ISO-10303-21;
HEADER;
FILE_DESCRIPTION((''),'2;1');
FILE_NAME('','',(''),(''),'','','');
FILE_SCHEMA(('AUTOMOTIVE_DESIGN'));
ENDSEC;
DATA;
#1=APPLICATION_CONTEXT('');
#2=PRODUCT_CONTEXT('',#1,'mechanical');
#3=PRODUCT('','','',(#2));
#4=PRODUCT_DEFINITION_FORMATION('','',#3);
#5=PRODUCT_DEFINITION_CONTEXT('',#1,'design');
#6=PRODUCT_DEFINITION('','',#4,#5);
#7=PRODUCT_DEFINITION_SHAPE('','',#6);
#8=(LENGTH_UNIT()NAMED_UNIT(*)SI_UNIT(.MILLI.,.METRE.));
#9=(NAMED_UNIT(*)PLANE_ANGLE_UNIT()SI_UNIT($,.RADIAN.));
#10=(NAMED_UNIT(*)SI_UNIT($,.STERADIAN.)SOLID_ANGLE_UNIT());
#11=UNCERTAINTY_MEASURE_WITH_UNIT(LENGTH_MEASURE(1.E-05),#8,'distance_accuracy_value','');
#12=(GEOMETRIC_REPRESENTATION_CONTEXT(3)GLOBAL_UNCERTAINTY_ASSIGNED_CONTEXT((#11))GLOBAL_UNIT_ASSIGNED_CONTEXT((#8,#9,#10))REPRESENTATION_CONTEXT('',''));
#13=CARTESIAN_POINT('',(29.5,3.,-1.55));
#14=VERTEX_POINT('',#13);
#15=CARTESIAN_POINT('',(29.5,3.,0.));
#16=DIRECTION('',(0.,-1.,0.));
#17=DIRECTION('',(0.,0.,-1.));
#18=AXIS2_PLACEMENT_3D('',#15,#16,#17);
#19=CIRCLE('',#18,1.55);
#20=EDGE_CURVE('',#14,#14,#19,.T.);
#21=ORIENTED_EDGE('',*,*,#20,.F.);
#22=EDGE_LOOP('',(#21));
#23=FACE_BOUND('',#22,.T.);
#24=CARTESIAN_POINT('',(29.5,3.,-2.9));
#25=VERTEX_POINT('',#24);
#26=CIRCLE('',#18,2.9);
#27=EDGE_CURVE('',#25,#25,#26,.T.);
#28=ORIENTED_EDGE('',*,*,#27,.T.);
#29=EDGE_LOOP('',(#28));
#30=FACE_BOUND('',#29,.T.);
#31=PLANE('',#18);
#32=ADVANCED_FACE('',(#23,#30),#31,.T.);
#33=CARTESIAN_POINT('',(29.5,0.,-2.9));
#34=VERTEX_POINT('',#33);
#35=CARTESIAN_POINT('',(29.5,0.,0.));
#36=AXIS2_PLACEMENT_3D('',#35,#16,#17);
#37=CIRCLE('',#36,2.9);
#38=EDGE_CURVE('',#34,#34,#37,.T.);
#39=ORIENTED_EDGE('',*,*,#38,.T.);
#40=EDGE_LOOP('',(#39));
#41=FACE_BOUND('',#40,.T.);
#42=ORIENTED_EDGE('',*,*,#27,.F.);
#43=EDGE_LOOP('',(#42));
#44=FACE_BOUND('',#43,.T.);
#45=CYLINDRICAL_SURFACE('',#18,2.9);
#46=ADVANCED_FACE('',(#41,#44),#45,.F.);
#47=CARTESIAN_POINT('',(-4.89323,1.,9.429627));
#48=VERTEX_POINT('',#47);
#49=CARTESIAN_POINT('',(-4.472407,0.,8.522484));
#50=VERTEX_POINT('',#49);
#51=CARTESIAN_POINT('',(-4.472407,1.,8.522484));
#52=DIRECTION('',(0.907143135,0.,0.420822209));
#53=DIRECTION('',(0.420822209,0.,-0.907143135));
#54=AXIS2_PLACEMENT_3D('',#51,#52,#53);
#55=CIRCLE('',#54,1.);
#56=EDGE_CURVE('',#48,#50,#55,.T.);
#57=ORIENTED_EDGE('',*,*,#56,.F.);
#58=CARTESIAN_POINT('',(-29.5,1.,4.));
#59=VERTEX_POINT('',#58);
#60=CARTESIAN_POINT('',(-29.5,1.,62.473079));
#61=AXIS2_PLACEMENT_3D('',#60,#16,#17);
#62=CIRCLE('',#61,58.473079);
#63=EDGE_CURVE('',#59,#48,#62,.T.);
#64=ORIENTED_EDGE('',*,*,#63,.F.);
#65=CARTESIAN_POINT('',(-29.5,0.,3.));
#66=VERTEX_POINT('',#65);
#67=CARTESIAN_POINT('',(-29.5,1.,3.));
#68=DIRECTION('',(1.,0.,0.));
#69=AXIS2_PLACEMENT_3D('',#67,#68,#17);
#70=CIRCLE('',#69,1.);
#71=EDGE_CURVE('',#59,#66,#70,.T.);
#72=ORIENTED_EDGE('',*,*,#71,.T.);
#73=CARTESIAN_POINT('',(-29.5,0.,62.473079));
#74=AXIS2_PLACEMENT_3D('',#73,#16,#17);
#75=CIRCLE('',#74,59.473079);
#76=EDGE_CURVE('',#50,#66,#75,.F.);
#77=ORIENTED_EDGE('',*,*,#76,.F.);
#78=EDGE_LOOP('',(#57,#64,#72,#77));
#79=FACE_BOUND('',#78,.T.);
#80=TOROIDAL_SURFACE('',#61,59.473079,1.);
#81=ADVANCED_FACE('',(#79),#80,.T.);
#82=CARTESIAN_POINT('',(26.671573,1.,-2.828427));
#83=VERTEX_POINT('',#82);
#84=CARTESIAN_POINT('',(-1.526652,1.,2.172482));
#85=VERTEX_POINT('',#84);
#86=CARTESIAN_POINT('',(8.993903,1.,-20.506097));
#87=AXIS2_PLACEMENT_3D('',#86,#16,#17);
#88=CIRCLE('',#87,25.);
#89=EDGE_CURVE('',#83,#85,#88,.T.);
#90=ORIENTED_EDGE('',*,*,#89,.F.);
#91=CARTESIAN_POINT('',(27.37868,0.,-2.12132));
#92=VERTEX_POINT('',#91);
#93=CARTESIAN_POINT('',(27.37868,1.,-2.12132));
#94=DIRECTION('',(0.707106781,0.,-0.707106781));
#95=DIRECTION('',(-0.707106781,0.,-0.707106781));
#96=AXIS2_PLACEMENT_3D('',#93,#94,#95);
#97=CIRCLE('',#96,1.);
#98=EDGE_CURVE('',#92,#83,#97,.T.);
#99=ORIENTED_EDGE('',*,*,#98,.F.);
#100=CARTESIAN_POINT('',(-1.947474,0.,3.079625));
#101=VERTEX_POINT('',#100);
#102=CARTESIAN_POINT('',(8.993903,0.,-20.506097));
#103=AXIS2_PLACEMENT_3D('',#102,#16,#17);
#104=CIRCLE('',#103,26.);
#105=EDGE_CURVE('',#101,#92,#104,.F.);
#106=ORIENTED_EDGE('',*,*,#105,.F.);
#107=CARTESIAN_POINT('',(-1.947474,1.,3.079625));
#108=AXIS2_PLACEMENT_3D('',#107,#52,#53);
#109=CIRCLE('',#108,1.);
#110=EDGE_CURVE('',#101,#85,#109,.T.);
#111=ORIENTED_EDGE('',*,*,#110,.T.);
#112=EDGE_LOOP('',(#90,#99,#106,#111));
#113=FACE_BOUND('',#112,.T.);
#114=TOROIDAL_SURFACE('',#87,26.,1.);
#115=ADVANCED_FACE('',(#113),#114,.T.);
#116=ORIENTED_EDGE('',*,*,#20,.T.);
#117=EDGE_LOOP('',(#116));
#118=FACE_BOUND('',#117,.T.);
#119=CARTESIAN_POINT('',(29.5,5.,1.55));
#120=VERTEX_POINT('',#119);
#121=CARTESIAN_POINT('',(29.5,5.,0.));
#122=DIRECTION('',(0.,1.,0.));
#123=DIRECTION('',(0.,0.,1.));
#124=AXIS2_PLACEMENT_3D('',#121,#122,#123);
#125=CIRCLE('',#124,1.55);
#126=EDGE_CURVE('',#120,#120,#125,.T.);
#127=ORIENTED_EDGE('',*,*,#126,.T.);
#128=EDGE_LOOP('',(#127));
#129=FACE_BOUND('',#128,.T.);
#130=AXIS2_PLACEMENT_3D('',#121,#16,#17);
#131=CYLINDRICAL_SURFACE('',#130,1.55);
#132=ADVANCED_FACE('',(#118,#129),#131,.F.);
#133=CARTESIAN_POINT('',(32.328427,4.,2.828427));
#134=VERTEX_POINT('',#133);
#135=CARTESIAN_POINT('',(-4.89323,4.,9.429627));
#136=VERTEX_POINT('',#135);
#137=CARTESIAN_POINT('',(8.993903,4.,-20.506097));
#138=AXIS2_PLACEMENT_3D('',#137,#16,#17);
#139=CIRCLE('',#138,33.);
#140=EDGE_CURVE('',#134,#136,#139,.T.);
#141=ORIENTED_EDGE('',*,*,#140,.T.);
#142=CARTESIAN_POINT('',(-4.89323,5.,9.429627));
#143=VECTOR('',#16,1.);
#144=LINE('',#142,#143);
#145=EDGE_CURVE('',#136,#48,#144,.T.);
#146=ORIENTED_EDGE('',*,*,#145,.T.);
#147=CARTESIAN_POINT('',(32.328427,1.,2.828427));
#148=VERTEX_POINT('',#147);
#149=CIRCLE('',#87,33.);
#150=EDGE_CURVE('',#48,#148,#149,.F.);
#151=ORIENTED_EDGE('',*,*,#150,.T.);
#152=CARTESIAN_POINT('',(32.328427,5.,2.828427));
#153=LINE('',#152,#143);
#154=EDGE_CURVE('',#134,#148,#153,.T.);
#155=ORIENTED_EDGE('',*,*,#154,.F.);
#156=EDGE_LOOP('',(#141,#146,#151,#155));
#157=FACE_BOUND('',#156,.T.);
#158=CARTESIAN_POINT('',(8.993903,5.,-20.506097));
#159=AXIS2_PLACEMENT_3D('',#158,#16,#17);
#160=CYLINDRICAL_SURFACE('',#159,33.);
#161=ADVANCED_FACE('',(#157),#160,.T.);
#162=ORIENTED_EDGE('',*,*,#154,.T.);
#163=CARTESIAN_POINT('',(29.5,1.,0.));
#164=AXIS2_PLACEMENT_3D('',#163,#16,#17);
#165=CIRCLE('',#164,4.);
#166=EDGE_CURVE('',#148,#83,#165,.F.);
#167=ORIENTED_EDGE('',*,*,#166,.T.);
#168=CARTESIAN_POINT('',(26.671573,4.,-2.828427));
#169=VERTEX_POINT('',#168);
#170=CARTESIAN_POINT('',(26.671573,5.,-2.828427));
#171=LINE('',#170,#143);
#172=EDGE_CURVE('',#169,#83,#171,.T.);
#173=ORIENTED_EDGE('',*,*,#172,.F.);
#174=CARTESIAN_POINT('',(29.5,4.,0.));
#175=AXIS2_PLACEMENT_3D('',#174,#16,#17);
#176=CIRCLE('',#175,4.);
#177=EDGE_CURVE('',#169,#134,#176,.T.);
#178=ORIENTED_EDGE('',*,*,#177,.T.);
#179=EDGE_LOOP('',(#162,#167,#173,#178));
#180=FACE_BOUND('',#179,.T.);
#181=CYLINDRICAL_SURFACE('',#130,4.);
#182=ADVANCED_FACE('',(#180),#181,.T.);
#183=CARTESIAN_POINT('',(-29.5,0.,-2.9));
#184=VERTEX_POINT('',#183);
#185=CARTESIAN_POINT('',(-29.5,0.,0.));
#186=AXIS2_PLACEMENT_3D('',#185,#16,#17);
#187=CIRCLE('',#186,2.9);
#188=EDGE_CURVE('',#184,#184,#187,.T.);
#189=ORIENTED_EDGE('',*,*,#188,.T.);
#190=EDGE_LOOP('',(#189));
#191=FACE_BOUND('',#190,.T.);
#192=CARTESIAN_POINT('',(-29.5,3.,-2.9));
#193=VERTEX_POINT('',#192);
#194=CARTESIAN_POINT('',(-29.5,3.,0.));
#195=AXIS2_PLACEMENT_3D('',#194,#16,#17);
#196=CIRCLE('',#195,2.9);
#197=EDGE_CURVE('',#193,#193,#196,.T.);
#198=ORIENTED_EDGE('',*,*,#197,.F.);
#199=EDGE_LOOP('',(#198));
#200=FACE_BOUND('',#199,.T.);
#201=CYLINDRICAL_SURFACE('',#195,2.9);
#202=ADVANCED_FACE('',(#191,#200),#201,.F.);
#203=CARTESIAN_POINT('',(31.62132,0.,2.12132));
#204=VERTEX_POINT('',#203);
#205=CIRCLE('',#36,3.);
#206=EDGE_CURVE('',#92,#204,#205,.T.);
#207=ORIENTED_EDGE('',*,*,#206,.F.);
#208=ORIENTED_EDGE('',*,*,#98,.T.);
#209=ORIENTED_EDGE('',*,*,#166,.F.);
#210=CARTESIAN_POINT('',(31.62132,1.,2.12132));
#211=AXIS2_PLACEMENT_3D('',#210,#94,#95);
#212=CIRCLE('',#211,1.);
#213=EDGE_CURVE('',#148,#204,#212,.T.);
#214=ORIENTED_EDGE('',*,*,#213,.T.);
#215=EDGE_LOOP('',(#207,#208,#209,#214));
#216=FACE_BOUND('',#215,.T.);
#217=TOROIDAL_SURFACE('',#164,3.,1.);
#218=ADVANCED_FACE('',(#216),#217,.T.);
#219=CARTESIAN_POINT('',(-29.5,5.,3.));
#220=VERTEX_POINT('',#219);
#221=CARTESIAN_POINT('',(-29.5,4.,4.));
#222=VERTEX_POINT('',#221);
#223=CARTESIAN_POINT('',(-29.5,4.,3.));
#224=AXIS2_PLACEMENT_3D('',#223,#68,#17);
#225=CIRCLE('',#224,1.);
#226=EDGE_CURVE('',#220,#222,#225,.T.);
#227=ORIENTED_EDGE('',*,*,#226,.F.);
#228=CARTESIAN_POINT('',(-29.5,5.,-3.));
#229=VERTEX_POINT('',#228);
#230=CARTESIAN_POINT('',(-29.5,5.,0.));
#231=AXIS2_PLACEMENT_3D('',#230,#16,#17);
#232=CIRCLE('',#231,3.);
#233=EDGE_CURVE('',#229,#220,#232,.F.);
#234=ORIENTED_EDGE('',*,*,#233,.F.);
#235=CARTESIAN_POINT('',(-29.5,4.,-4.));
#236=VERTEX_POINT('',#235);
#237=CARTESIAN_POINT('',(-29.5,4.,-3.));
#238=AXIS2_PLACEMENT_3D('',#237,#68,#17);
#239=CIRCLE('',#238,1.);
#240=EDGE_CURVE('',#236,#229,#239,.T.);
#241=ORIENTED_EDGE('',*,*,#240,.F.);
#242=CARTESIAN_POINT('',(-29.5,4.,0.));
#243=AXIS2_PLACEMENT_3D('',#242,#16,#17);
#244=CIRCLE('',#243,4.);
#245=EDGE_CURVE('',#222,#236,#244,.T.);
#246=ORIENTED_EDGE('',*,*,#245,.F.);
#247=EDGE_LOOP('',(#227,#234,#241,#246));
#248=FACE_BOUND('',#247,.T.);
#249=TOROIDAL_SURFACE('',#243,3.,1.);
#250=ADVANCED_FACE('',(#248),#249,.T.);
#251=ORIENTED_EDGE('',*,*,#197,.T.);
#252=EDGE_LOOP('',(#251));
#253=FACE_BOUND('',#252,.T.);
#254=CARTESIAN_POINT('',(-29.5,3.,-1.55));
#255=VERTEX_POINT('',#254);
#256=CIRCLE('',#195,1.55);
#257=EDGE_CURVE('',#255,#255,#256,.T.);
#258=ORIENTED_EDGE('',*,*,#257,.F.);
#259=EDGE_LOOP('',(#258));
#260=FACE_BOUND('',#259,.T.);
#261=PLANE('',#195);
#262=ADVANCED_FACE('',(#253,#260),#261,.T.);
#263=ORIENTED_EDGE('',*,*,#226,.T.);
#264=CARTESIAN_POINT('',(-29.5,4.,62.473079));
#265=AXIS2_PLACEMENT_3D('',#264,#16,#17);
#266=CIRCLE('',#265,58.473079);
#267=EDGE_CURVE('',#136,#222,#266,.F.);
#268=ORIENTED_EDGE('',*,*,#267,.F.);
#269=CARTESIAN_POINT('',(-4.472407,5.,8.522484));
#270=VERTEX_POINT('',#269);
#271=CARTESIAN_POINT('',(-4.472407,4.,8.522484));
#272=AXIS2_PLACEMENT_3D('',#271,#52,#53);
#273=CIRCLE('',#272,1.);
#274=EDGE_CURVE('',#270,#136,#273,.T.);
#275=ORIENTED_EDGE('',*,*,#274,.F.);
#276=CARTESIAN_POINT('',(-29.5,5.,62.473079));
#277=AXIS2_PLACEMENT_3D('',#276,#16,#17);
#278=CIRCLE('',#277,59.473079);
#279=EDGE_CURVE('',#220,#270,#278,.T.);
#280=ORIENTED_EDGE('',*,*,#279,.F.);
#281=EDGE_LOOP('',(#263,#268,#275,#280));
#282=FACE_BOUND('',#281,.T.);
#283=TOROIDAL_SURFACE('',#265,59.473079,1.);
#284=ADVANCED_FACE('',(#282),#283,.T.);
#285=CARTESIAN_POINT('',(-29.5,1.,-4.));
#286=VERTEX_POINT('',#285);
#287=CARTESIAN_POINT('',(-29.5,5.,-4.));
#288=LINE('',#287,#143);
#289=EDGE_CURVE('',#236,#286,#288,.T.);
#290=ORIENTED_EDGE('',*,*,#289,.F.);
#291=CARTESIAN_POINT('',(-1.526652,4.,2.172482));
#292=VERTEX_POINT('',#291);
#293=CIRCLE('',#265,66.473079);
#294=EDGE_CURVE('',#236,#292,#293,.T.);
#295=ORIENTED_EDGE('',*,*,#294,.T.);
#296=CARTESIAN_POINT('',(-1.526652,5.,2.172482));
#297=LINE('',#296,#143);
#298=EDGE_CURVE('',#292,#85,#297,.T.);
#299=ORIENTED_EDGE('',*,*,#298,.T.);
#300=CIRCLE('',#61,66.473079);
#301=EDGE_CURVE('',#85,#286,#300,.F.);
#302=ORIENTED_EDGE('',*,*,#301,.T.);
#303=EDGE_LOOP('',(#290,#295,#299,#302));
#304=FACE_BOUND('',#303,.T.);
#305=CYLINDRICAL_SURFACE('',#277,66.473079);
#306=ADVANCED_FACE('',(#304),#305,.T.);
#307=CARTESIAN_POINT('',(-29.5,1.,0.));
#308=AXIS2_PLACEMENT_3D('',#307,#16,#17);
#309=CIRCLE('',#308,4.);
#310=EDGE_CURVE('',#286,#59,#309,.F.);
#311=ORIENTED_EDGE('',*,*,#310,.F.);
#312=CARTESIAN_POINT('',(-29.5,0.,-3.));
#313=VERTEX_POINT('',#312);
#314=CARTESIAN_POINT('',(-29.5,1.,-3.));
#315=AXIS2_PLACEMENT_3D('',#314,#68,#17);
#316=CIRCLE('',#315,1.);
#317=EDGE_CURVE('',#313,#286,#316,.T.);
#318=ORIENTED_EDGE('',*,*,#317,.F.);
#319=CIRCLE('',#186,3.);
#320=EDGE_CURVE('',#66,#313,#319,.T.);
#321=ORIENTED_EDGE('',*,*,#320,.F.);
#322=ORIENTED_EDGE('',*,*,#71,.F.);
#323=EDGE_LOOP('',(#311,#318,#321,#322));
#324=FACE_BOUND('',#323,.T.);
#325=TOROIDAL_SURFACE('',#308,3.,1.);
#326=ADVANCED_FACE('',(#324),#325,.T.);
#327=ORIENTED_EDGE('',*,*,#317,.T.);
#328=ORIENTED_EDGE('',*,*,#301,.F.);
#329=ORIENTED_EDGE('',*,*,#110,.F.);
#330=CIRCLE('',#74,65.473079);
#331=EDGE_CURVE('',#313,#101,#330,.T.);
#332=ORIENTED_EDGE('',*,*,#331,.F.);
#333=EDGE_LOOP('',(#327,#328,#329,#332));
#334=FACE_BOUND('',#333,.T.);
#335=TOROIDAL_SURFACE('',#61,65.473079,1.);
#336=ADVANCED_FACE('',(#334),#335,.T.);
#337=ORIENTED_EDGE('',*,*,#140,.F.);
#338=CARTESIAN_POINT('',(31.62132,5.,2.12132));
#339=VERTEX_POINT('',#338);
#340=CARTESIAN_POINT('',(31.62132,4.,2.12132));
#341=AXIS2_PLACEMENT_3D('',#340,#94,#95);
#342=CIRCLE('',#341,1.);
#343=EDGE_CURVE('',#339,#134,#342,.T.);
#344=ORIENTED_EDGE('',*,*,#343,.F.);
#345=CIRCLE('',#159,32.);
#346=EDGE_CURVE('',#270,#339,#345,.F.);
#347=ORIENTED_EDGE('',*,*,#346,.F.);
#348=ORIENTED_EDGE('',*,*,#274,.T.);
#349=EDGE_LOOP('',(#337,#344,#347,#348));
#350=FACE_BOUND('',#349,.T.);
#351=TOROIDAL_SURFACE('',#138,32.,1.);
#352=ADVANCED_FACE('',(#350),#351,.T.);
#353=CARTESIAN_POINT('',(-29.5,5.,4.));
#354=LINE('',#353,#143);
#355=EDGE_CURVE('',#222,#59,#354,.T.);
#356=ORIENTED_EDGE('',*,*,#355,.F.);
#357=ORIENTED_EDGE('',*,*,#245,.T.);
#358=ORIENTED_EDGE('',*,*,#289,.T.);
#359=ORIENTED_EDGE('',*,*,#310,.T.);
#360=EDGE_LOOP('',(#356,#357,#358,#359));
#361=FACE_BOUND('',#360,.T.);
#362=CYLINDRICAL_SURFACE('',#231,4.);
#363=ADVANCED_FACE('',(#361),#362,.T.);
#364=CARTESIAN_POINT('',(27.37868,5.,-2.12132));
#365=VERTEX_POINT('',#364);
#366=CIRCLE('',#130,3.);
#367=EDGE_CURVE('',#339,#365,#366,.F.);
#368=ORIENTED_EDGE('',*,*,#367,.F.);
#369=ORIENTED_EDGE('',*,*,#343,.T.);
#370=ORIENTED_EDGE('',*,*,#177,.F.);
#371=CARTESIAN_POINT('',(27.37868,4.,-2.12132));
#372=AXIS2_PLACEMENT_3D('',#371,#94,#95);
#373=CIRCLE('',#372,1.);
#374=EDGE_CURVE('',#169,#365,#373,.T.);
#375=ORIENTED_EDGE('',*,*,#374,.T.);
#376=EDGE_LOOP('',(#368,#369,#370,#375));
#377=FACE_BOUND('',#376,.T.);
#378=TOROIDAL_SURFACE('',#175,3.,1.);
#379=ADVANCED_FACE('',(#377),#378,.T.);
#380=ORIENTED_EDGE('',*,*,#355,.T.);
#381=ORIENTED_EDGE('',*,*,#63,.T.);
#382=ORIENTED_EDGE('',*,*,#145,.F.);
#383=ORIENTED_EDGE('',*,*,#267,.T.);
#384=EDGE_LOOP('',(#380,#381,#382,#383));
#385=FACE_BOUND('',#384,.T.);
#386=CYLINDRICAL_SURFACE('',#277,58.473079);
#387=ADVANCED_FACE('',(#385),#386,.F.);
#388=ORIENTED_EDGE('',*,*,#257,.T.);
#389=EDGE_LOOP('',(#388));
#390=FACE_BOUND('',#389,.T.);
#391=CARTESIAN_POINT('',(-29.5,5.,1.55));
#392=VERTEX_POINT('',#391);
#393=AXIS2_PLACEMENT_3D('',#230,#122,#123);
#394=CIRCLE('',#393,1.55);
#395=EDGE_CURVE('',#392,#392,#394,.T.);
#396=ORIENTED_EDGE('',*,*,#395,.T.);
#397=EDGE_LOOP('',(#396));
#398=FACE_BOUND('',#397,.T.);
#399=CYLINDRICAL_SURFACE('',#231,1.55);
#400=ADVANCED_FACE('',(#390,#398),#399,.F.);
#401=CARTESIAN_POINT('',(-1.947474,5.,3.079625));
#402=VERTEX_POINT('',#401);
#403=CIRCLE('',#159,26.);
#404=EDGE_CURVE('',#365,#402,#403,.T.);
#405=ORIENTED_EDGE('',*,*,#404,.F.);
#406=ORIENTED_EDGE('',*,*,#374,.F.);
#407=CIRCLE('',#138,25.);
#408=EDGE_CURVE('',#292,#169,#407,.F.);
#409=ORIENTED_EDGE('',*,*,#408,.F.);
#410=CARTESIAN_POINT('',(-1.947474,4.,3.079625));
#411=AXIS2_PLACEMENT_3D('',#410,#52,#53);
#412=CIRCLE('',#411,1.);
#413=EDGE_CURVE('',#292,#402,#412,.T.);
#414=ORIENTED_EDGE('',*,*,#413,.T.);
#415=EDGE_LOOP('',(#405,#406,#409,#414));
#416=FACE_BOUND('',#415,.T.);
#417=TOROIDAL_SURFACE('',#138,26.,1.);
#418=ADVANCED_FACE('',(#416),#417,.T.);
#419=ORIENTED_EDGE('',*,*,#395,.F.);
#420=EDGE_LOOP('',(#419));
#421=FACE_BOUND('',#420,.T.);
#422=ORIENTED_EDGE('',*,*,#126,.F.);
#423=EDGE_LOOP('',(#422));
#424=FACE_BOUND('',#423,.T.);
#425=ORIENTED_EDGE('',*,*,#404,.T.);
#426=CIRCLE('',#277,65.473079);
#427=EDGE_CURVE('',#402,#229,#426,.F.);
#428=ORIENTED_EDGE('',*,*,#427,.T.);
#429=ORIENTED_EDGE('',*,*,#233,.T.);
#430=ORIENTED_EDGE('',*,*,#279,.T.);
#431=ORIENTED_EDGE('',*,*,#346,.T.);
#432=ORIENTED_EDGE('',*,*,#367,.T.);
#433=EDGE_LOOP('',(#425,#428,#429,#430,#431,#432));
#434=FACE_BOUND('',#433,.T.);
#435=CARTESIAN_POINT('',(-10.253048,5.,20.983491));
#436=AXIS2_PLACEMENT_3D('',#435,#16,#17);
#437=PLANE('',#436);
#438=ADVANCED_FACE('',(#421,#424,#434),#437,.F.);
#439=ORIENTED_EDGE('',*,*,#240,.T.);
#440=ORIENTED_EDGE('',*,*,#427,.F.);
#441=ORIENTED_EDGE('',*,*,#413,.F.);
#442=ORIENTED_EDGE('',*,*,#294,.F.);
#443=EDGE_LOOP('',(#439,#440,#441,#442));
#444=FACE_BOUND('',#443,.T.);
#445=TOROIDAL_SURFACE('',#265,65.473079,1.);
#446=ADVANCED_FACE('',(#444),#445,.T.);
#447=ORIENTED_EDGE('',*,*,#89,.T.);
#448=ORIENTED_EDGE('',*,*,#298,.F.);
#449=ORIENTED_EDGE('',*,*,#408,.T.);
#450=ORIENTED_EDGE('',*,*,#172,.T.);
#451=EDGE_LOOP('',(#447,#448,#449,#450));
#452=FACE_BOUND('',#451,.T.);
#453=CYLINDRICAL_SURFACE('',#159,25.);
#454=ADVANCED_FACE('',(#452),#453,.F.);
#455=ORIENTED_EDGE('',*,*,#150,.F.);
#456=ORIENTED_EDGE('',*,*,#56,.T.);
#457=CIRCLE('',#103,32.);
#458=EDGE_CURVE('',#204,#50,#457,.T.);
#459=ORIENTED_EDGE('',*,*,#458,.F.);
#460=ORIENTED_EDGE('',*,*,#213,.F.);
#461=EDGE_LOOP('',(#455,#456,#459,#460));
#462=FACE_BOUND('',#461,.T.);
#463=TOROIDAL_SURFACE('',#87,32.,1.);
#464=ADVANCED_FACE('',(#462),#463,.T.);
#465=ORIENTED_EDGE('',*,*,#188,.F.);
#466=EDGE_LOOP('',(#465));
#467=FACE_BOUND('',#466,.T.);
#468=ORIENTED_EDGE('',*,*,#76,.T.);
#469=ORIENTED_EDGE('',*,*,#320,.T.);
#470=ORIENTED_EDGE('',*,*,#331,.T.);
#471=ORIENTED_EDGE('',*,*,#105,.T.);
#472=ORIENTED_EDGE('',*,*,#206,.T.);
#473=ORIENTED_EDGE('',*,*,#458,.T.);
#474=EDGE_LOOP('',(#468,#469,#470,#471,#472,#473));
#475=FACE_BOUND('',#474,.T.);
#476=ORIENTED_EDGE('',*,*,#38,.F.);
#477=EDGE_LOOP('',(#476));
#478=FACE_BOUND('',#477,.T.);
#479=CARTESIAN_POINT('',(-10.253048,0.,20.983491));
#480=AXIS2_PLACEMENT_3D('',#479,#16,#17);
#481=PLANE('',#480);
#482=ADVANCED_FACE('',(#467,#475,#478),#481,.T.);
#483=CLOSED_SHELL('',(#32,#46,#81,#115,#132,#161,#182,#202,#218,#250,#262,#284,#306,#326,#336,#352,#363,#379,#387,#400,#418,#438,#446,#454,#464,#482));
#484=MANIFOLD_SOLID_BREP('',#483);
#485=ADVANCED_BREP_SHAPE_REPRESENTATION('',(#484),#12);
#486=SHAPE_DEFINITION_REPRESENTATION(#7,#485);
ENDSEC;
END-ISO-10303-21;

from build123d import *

# Parameters (mm, degrees)
SKETCH1_R           = 1.55
BOSS_EXTRUDE1_DEPTH = 5
FILLET1_R           = 1
SKETCH2_R           = 2.9
CUT_EXTRUDE1_DEPTH  = 3


with BuildPart() as part:
    # Sketch1 → Boss-Extrude1 (new body)
    with BuildSketch(Plane(origin=(0, 0, 0), x_dir=(1, 0, 0), z_dir=(0, 1, 0))):
        with BuildLine():
            ThreePointArc((-29.5, 4), (-33.5, 0), (-29.5, -4))
            ThreePointArc((-29.5, -4), (-16.900654795, -5.373538993), (-4.893229568, -9.429626812))
            ThreePointArc((-4.893229568, -9.429626812), (14.756477238, -11.986867848), (32.328427125, -2.828427125))
            ThreePointArc((32.328427125, -2.828427125), (32.328427125, 2.828427125), (26.671572875, 2.828427125))
            ThreePointArc((26.671572875, 2.828427125), (13.359489628, -4.109785544), (-1.526651892, -2.172481729))
            ThreePointArc((-1.526651892, -2.172481729), (-15.176874162, 2.438540137), (-29.5, 4))
        make_face()
        with Locations(Location((-29.5, 0, 0), (0, 0, 270))):
            Circle(SKETCH1_R, mode=Mode.SUBTRACT)
        with Locations(Location((29.5, 0, 0), (0, 0, 270))):
            Circle(SKETCH1_R, mode=Mode.SUBTRACT)
    extrude(amount=BOSS_EXTRUDE1_DEPTH)

    # Fillet1
    fillet1_edges = [part.edges().sort_by_distance(p)[0] for p in [
        (-16.900654795, 5, 5.373538993),
        (14.756477238, 5, 11.986867848),
        (32.328427125, 5, -2.828427125),
        (13.359489628, 5, 4.109785544),
        (-15.176874162, 5, -2.438540137),
        (13.359489628, 0, 4.109785544),
        (32.328427125, 0, -2.828427125),
        (14.756477238, 0, 11.986867848),
        (-16.900654795, 0, 5.373538993),
        (-33.5, 0, 0),
        (-15.176874162, 0, -2.438540137),
        (-33.5, 5, 0),
    ]]
    fillet(fillet1_edges, radius=FILLET1_R)

    # Sketch2 → Cut-Extrude1 (cut)
    with BuildSketch(Plane.XZ):
        with Locations(Location((29.5, 0, 0), (0, 0, 270))):
            Circle(SKETCH2_R)
        with Locations(Location((-29.5, 0, 0), (0, 0, 270))):
            Circle(SKETCH2_R)
    extrude(amount=-CUT_EXTRUDE1_DEPTH, mode=Mode.SUBTRACT)


solid = part.part
